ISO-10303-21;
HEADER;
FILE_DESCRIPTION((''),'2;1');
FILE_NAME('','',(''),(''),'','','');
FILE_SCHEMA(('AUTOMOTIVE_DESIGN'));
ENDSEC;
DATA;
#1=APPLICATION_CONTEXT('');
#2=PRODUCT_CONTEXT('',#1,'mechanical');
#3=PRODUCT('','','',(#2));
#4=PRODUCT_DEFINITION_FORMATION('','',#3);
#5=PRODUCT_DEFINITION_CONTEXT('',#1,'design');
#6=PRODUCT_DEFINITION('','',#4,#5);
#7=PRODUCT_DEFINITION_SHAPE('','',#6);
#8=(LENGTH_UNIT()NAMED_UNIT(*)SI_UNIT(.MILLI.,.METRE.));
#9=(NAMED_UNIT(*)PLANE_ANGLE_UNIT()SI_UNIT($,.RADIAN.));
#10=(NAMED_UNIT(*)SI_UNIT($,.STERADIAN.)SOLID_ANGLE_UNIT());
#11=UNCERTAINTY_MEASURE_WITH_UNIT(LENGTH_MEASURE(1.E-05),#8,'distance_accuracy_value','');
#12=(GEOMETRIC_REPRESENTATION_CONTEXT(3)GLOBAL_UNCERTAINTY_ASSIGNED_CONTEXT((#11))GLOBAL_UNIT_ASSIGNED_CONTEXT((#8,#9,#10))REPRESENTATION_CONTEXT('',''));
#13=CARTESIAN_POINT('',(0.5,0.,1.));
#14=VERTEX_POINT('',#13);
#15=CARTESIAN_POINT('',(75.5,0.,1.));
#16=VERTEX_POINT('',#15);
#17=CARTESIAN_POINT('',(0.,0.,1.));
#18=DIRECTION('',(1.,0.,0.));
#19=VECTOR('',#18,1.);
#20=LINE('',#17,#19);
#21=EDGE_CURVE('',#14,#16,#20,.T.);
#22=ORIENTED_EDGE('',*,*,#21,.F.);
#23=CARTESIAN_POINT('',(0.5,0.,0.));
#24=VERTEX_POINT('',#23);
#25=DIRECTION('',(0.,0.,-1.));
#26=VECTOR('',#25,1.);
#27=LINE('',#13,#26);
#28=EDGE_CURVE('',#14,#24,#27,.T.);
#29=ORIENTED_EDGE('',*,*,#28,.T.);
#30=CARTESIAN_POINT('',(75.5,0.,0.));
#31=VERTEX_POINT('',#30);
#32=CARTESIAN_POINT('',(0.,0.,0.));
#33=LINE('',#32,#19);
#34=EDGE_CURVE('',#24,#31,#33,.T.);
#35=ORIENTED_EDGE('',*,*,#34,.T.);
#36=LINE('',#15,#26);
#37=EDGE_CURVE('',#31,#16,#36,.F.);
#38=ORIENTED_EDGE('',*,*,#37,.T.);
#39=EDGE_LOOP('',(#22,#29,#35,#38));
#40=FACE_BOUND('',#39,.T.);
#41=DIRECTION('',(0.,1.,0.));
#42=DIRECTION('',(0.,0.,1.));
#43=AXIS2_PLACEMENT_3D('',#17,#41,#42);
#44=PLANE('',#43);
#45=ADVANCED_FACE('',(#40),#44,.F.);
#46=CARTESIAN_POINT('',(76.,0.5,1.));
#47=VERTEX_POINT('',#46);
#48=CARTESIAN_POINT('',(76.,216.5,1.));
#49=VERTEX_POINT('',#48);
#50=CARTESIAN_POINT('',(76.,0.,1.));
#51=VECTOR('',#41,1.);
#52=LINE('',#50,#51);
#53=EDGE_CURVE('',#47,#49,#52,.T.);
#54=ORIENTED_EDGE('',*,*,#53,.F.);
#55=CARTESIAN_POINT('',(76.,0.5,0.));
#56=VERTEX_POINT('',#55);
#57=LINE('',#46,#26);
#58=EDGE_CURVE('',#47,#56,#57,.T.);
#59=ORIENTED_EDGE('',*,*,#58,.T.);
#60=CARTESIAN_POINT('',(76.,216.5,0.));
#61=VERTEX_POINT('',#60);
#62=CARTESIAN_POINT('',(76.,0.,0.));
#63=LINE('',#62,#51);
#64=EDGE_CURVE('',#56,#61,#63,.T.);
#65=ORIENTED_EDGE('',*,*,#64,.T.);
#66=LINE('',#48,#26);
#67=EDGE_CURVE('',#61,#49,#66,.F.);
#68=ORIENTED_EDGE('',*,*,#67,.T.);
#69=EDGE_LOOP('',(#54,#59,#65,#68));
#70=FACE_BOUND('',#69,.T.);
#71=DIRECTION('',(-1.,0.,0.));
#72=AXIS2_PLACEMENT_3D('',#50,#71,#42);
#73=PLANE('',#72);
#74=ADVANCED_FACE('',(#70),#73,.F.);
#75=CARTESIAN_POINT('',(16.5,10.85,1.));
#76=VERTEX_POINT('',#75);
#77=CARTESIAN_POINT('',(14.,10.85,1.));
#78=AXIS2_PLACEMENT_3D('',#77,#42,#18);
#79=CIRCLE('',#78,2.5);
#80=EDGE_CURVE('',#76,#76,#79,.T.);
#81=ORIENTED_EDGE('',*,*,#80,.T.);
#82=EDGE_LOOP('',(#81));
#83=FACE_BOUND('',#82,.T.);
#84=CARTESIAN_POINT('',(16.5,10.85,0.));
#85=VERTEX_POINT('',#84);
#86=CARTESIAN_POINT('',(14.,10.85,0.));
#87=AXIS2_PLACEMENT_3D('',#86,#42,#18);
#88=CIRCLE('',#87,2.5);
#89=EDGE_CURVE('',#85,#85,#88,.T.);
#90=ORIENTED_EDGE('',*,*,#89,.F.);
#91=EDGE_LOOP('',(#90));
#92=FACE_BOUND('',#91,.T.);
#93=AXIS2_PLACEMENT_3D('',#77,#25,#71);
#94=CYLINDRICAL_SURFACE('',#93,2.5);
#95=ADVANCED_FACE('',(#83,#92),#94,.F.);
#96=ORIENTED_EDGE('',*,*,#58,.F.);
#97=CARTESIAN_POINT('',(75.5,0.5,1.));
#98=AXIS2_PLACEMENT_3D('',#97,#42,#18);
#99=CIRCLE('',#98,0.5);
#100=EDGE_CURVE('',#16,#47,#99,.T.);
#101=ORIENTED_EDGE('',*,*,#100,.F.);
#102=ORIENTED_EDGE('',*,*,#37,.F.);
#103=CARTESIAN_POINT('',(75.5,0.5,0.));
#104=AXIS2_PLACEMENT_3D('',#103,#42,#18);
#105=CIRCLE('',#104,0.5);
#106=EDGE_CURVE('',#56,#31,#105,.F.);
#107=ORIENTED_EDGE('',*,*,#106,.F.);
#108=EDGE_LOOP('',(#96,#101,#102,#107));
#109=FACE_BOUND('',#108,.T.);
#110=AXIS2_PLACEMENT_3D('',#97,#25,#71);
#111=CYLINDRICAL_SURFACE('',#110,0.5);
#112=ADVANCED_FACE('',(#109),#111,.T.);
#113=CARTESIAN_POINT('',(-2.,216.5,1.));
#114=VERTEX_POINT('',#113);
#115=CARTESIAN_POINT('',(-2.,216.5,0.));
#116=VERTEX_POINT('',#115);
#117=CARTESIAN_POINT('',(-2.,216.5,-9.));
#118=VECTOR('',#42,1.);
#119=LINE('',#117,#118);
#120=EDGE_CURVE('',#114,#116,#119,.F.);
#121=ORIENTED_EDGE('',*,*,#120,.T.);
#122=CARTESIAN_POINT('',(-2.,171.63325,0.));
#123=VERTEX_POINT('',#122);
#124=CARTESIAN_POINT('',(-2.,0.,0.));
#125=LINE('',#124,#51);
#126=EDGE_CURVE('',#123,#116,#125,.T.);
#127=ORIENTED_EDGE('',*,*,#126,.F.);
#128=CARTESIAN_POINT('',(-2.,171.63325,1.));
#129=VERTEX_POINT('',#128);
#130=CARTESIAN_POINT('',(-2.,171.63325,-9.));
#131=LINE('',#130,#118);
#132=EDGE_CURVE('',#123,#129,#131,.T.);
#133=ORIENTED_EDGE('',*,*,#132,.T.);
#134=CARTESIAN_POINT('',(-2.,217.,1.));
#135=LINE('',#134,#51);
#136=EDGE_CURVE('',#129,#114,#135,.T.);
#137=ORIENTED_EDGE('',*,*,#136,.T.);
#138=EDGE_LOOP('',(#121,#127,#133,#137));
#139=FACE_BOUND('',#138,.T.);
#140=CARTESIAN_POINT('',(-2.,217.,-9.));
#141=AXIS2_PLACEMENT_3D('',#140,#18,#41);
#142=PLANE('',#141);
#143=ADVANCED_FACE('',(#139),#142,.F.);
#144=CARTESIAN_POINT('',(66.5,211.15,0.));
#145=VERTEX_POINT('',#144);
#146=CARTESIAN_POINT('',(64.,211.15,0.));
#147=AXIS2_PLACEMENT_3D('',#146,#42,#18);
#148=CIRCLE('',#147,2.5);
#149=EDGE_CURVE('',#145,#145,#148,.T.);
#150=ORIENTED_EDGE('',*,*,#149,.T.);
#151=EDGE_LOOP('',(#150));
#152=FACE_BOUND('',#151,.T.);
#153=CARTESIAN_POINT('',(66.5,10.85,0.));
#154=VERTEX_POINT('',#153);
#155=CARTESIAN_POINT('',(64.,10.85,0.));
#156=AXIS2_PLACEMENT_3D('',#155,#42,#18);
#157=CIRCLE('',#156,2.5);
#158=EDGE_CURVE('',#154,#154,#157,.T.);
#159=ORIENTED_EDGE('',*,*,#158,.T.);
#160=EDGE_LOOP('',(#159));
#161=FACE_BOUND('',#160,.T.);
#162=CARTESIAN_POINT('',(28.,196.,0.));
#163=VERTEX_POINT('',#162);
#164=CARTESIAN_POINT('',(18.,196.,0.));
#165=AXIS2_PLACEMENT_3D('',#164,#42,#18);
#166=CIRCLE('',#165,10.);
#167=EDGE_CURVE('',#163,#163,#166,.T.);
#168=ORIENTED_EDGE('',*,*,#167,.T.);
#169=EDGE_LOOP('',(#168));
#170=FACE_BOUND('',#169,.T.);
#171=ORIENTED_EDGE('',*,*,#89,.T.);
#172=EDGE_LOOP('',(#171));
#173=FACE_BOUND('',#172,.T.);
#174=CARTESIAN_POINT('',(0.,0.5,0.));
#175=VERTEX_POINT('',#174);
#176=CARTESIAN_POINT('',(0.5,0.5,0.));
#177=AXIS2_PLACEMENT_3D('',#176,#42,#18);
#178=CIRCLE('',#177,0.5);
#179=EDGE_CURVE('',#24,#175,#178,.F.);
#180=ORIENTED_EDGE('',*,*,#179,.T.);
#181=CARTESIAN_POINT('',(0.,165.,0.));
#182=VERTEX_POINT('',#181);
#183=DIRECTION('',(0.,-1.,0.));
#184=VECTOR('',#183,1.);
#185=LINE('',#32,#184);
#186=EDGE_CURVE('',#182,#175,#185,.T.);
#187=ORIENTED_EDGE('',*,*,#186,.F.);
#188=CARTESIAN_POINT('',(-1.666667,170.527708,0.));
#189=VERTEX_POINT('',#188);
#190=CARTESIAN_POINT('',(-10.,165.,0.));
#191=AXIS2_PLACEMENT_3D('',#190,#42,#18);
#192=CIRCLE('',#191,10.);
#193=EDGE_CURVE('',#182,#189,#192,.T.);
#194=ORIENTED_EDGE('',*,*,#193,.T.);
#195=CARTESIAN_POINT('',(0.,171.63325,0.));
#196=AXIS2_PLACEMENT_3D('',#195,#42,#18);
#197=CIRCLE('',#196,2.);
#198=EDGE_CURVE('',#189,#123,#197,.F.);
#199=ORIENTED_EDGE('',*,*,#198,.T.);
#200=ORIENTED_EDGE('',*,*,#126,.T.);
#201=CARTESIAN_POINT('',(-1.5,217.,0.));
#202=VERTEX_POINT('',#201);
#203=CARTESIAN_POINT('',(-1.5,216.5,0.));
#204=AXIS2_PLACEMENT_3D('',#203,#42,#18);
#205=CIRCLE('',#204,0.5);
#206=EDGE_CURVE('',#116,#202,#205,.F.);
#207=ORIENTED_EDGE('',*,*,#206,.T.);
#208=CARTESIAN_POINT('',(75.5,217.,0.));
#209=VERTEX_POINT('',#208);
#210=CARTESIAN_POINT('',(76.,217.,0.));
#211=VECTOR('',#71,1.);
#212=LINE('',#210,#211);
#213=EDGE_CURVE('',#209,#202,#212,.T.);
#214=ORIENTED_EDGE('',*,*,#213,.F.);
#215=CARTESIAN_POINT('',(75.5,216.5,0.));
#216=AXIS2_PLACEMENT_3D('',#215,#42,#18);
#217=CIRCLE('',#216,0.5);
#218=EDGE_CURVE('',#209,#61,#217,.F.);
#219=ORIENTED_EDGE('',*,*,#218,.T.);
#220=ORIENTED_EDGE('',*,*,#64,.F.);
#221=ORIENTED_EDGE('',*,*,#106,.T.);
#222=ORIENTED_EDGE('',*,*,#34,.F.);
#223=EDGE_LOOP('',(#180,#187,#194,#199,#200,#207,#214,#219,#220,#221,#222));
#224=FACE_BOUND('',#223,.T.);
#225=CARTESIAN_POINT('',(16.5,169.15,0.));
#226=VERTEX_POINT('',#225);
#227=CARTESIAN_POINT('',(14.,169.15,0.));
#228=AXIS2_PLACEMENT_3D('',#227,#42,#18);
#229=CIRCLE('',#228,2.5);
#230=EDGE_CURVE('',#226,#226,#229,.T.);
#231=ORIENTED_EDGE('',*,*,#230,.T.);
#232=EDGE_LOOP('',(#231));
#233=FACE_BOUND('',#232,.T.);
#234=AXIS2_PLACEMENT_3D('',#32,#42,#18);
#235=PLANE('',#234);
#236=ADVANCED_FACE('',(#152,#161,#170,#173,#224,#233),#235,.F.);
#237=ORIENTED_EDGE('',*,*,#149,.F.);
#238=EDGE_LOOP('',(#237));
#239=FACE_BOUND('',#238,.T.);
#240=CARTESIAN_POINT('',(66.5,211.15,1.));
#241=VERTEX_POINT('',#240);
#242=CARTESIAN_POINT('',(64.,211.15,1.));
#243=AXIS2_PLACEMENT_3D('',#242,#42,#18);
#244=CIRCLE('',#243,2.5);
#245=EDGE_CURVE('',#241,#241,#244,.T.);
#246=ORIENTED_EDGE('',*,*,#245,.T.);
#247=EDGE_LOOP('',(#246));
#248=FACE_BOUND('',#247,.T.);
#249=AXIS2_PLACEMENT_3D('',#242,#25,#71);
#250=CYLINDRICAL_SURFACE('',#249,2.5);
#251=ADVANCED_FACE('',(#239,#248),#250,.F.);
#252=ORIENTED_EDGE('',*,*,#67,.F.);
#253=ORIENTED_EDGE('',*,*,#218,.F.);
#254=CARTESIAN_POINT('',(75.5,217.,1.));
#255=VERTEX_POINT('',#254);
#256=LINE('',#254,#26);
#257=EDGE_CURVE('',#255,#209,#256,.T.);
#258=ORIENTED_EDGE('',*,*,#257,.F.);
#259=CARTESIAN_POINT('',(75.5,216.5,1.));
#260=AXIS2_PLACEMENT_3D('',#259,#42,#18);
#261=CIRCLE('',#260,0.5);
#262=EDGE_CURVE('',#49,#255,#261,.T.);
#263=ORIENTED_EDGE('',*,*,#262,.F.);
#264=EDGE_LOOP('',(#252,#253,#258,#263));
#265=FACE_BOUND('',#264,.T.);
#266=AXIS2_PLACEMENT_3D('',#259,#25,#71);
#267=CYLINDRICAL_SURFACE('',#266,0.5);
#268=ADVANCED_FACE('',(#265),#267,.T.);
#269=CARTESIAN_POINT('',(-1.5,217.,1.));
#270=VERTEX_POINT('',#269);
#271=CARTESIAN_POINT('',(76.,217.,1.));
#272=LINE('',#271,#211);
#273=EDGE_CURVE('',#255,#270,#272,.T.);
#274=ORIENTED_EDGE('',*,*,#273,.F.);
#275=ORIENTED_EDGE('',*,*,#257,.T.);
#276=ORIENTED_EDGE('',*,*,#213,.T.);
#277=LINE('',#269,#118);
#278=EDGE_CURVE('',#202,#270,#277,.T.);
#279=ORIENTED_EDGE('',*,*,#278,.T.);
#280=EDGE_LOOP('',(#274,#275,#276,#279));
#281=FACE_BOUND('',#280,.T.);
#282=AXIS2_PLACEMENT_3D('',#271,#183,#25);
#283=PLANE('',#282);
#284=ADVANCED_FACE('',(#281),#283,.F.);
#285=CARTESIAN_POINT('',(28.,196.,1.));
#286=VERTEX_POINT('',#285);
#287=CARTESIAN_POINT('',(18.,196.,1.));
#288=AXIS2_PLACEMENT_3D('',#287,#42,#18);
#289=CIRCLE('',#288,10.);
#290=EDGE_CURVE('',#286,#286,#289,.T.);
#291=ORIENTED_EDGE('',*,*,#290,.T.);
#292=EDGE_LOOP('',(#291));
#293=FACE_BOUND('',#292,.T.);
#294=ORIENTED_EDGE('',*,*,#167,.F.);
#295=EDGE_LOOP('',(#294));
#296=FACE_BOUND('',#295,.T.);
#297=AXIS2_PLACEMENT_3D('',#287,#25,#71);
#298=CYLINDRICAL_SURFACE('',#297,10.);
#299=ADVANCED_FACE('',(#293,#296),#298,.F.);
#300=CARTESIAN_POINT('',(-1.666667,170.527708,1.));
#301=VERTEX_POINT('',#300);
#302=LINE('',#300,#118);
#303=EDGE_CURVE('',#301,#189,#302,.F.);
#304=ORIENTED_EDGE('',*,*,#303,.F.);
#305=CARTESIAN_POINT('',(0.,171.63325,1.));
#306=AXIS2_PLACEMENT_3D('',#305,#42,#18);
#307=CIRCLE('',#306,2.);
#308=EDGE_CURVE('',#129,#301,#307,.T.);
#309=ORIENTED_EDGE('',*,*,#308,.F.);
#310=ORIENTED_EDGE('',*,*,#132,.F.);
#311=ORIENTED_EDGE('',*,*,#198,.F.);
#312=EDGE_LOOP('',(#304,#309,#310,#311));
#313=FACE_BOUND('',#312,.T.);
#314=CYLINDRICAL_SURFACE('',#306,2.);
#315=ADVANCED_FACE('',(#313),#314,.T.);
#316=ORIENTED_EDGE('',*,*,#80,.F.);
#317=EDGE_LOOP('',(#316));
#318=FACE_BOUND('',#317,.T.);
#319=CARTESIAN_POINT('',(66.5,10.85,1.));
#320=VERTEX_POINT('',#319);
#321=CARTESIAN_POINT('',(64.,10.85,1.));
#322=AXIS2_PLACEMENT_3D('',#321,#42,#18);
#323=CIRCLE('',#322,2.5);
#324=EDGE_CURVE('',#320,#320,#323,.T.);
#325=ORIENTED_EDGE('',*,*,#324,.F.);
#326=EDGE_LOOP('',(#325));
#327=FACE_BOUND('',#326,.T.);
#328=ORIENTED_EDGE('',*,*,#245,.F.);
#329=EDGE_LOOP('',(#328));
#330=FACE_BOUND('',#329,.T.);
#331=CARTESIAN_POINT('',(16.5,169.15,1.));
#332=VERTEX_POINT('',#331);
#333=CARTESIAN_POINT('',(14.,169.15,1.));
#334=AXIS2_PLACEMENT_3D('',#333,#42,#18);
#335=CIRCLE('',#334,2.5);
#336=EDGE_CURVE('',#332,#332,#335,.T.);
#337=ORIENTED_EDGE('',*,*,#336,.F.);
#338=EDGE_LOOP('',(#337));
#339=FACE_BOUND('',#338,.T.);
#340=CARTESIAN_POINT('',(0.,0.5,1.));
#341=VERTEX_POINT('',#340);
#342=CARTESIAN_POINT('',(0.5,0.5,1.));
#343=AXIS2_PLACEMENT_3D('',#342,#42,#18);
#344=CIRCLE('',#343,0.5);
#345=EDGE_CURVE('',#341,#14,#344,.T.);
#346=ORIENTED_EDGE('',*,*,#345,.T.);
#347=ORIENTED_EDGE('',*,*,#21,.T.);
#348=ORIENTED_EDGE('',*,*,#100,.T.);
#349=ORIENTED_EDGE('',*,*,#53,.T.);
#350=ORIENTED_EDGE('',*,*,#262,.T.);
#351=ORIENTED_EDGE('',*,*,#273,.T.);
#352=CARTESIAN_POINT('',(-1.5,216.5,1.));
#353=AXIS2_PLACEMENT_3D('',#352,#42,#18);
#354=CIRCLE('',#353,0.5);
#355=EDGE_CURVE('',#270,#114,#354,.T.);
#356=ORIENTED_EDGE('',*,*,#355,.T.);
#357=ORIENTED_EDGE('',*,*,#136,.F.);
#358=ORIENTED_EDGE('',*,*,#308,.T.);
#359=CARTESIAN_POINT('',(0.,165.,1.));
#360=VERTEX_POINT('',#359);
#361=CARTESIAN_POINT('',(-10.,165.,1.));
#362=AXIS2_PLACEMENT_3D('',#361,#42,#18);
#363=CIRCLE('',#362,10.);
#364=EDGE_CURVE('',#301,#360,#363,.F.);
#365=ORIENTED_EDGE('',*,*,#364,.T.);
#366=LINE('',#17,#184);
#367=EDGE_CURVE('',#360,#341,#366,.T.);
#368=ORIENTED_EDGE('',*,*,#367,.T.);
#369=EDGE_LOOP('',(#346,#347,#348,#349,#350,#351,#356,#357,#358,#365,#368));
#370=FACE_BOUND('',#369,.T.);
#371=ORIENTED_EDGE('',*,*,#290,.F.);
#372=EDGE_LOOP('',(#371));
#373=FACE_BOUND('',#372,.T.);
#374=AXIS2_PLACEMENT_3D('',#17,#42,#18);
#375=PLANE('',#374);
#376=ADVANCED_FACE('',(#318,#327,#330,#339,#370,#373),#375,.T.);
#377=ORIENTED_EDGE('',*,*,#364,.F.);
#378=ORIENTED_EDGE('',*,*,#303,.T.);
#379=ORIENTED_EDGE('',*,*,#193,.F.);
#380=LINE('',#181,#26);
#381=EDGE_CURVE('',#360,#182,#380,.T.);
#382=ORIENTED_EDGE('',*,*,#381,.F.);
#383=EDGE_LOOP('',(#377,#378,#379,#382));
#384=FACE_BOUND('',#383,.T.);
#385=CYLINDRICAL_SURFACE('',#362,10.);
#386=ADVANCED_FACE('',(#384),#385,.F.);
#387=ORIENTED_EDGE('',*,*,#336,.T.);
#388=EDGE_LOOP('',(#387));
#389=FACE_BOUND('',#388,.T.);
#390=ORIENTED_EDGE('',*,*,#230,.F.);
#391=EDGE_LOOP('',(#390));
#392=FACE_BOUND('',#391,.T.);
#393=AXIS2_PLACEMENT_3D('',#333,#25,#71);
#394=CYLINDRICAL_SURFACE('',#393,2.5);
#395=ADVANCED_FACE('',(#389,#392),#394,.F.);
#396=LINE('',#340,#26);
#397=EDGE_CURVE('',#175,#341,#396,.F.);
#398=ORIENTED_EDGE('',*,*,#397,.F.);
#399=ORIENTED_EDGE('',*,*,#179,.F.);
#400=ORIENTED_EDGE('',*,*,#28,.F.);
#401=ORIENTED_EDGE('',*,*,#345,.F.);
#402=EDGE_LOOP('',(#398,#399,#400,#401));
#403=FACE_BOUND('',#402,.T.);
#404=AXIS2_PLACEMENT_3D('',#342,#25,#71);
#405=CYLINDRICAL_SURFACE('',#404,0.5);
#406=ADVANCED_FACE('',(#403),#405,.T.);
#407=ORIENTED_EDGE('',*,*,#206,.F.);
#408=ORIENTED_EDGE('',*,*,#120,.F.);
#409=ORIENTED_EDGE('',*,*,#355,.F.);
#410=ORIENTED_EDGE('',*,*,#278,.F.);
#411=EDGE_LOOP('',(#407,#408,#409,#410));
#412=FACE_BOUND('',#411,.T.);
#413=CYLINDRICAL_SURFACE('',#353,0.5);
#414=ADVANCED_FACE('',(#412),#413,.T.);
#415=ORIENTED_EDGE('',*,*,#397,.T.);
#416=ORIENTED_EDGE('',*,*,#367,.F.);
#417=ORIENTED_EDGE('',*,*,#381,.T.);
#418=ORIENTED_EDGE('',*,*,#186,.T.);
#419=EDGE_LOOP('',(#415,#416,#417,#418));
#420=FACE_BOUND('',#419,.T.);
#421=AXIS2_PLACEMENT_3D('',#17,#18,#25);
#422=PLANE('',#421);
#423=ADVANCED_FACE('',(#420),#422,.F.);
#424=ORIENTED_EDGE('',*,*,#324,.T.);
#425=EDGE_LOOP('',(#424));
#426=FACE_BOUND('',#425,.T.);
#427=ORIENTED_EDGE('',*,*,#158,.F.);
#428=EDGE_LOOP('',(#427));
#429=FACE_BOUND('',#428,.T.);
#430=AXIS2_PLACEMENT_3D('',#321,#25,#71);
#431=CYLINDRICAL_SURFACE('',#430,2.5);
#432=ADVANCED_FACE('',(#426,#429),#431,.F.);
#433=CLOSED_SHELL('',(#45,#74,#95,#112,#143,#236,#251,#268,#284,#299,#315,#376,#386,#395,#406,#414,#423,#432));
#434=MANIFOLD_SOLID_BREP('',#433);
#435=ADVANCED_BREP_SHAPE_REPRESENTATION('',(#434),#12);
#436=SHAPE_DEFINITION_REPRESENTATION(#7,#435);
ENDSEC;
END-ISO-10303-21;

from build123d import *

# Parameters (mm, degrees)
SKETCH1_R           = 2.5
SKETCH1_R_2         = 10
BOSS_EXTRUDE1_DEPTH = 1
SKETCH2_R           = 1.5
CUT_EXTRUDE1_DEPTH  = 230.926075076
FILLET1_R           = 0.5
FILLET2_R           = 10
CUT_EXTRUDE2_DEPTH  = 10
FILLET3_R           = 2
FILLET4_R           = 0.5


with BuildPart() as part:
    # Sketch1 → Boss-Extrude1 (new body)
    with BuildSketch(Plane.XY):
        Polygon((0, 0), (76, 0), (76, 217), (-12.55, 217), (-12.55, 212), (-19.55, 212), (-19.55, 217), (-32, 217), (-32, 175), (0, 175), align=None)
        with Locations((14, 169.15)):
            Circle(SKETCH1_R, mode=Mode.SUBTRACT)
        with Locations((14, 10.85)):
            Circle(SKETCH1_R, mode=Mode.SUBTRACT)
        with Locations((64, 10.85)):
            Circle(SKETCH1_R, mode=Mode.SUBTRACT)
        with Locations((64, 211.15)):
            Circle(SKETCH1_R, mode=Mode.SUBTRACT)
        with Locations((18, 196)):
            Circle(SKETCH1_R_2, mode=Mode.SUBTRACT)
        with BuildLine():
            Line((-19.55, 207), (-12.55, 207))
            ThreePointArc((-12.55, 207), (-11.425, 205.875), (-12.55, 204.75))
            Line((-12.55, 204.75), (-19.55, 204.75))
            ThreePointArc((-19.55, 204.75), (-20.675, 205.875), (-19.55, 207))
        make_face(mode=Mode.SUBTRACT)
    extrude(amount=BOSS_EXTRUDE1_DEPTH)

    # Sketch2 → Cut-Extrude1 (cut, through all)
    with BuildSketch(Plane.XY.offset(1)):
        with Locations((-13.610660172, 213.060660172)):
            Circle(SKETCH2_R)
        with Locations((-18.489339828, 213.060660172)):
            Circle(SKETCH2_R)
    extrude(amount=-CUT_EXTRUDE1_DEPTH, mode=Mode.SUBTRACT)

    # Fillet1
    fillet1_edges = [part.edges().sort_by_distance(p)[0] for p in [
        (-32, 217, 0.5),
        (-19.55, 217, 0.5),
        (-12.55, 217, 0.5),
        (76, 217, 0.5),
        (76, 0, 0.5),
        (0, 0, 0.5),
    ]]
    fillet(fillet1_edges, radius=FILLET1_R)

    # Fillet2
    fillet2_edges = [part.edges().sort_by_distance(p)[0] for p in [
        (0, 175, 0.5),
        (-32, 175, 0.5),
    ]]
    fillet(fillet2_edges, radius=FILLET2_R)

    # Sketch4 → Cut-Extrude2 (cut)
    with BuildSketch(Plane.XY.offset(1)):
        with BuildLine():
            Line((-2, 217), (-2, 171))
            ThreePointArc((-2, 171), (-5.865545946, 173.268908108), (-10, 175))
            Line((-10, 175), (-22, 175))
            ThreePointArc((-22, 175), (-29.071067812, 177.928932188), (-32, 185))
            Line((-32, 185), (-32, 216.5))
            ThreePointArc((-32, 216.5), (-31.853553391, 216.853553391), (-31.5, 217))
            Line((-31.5, 217), (-20.05, 217))
            ThreePointArc((-20.05, 217), (-19.696446609, 216.853553391), (-19.55, 216.5))
            Line((-19.55, 216.5), (-19.55, 214.121320344))
            ThreePointArc((-19.55, 214.121320344), (-19.55, 212), (-17.428679656, 212))
            Line((-17.428679656, 212), (-14.671320344, 212))
            ThreePointArc((-14.671320344, 212), (-12.55, 212), (-12.55, 214.121320344))
            Line((-12.55, 214.121320344), (-12.55, 216.5))
            ThreePointArc((-12.55, 216.5), (-12.403553391, 216.853553391), (-12.05, 217))
            Line((-12.05, 217), (-2, 217))
        make_face()
    extrude(amount=-CUT_EXTRUDE2_DEPTH, mode=Mode.SUBTRACT)

    # Fillet3
    fillet3_edges = [part.edges().sort_by_distance(p)[0] for p in [
        (-2, 171, 0.5),
    ]]
    fillet(fillet3_edges, radius=FILLET3_R)

    # Fillet4
    fillet4_edges = [part.edges().sort_by_distance(p)[0] for p in [
        (-2, 217, 0.5),
    ]]
    fillet(fillet4_edges, radius=FILLET4_R)


solid = part.part
